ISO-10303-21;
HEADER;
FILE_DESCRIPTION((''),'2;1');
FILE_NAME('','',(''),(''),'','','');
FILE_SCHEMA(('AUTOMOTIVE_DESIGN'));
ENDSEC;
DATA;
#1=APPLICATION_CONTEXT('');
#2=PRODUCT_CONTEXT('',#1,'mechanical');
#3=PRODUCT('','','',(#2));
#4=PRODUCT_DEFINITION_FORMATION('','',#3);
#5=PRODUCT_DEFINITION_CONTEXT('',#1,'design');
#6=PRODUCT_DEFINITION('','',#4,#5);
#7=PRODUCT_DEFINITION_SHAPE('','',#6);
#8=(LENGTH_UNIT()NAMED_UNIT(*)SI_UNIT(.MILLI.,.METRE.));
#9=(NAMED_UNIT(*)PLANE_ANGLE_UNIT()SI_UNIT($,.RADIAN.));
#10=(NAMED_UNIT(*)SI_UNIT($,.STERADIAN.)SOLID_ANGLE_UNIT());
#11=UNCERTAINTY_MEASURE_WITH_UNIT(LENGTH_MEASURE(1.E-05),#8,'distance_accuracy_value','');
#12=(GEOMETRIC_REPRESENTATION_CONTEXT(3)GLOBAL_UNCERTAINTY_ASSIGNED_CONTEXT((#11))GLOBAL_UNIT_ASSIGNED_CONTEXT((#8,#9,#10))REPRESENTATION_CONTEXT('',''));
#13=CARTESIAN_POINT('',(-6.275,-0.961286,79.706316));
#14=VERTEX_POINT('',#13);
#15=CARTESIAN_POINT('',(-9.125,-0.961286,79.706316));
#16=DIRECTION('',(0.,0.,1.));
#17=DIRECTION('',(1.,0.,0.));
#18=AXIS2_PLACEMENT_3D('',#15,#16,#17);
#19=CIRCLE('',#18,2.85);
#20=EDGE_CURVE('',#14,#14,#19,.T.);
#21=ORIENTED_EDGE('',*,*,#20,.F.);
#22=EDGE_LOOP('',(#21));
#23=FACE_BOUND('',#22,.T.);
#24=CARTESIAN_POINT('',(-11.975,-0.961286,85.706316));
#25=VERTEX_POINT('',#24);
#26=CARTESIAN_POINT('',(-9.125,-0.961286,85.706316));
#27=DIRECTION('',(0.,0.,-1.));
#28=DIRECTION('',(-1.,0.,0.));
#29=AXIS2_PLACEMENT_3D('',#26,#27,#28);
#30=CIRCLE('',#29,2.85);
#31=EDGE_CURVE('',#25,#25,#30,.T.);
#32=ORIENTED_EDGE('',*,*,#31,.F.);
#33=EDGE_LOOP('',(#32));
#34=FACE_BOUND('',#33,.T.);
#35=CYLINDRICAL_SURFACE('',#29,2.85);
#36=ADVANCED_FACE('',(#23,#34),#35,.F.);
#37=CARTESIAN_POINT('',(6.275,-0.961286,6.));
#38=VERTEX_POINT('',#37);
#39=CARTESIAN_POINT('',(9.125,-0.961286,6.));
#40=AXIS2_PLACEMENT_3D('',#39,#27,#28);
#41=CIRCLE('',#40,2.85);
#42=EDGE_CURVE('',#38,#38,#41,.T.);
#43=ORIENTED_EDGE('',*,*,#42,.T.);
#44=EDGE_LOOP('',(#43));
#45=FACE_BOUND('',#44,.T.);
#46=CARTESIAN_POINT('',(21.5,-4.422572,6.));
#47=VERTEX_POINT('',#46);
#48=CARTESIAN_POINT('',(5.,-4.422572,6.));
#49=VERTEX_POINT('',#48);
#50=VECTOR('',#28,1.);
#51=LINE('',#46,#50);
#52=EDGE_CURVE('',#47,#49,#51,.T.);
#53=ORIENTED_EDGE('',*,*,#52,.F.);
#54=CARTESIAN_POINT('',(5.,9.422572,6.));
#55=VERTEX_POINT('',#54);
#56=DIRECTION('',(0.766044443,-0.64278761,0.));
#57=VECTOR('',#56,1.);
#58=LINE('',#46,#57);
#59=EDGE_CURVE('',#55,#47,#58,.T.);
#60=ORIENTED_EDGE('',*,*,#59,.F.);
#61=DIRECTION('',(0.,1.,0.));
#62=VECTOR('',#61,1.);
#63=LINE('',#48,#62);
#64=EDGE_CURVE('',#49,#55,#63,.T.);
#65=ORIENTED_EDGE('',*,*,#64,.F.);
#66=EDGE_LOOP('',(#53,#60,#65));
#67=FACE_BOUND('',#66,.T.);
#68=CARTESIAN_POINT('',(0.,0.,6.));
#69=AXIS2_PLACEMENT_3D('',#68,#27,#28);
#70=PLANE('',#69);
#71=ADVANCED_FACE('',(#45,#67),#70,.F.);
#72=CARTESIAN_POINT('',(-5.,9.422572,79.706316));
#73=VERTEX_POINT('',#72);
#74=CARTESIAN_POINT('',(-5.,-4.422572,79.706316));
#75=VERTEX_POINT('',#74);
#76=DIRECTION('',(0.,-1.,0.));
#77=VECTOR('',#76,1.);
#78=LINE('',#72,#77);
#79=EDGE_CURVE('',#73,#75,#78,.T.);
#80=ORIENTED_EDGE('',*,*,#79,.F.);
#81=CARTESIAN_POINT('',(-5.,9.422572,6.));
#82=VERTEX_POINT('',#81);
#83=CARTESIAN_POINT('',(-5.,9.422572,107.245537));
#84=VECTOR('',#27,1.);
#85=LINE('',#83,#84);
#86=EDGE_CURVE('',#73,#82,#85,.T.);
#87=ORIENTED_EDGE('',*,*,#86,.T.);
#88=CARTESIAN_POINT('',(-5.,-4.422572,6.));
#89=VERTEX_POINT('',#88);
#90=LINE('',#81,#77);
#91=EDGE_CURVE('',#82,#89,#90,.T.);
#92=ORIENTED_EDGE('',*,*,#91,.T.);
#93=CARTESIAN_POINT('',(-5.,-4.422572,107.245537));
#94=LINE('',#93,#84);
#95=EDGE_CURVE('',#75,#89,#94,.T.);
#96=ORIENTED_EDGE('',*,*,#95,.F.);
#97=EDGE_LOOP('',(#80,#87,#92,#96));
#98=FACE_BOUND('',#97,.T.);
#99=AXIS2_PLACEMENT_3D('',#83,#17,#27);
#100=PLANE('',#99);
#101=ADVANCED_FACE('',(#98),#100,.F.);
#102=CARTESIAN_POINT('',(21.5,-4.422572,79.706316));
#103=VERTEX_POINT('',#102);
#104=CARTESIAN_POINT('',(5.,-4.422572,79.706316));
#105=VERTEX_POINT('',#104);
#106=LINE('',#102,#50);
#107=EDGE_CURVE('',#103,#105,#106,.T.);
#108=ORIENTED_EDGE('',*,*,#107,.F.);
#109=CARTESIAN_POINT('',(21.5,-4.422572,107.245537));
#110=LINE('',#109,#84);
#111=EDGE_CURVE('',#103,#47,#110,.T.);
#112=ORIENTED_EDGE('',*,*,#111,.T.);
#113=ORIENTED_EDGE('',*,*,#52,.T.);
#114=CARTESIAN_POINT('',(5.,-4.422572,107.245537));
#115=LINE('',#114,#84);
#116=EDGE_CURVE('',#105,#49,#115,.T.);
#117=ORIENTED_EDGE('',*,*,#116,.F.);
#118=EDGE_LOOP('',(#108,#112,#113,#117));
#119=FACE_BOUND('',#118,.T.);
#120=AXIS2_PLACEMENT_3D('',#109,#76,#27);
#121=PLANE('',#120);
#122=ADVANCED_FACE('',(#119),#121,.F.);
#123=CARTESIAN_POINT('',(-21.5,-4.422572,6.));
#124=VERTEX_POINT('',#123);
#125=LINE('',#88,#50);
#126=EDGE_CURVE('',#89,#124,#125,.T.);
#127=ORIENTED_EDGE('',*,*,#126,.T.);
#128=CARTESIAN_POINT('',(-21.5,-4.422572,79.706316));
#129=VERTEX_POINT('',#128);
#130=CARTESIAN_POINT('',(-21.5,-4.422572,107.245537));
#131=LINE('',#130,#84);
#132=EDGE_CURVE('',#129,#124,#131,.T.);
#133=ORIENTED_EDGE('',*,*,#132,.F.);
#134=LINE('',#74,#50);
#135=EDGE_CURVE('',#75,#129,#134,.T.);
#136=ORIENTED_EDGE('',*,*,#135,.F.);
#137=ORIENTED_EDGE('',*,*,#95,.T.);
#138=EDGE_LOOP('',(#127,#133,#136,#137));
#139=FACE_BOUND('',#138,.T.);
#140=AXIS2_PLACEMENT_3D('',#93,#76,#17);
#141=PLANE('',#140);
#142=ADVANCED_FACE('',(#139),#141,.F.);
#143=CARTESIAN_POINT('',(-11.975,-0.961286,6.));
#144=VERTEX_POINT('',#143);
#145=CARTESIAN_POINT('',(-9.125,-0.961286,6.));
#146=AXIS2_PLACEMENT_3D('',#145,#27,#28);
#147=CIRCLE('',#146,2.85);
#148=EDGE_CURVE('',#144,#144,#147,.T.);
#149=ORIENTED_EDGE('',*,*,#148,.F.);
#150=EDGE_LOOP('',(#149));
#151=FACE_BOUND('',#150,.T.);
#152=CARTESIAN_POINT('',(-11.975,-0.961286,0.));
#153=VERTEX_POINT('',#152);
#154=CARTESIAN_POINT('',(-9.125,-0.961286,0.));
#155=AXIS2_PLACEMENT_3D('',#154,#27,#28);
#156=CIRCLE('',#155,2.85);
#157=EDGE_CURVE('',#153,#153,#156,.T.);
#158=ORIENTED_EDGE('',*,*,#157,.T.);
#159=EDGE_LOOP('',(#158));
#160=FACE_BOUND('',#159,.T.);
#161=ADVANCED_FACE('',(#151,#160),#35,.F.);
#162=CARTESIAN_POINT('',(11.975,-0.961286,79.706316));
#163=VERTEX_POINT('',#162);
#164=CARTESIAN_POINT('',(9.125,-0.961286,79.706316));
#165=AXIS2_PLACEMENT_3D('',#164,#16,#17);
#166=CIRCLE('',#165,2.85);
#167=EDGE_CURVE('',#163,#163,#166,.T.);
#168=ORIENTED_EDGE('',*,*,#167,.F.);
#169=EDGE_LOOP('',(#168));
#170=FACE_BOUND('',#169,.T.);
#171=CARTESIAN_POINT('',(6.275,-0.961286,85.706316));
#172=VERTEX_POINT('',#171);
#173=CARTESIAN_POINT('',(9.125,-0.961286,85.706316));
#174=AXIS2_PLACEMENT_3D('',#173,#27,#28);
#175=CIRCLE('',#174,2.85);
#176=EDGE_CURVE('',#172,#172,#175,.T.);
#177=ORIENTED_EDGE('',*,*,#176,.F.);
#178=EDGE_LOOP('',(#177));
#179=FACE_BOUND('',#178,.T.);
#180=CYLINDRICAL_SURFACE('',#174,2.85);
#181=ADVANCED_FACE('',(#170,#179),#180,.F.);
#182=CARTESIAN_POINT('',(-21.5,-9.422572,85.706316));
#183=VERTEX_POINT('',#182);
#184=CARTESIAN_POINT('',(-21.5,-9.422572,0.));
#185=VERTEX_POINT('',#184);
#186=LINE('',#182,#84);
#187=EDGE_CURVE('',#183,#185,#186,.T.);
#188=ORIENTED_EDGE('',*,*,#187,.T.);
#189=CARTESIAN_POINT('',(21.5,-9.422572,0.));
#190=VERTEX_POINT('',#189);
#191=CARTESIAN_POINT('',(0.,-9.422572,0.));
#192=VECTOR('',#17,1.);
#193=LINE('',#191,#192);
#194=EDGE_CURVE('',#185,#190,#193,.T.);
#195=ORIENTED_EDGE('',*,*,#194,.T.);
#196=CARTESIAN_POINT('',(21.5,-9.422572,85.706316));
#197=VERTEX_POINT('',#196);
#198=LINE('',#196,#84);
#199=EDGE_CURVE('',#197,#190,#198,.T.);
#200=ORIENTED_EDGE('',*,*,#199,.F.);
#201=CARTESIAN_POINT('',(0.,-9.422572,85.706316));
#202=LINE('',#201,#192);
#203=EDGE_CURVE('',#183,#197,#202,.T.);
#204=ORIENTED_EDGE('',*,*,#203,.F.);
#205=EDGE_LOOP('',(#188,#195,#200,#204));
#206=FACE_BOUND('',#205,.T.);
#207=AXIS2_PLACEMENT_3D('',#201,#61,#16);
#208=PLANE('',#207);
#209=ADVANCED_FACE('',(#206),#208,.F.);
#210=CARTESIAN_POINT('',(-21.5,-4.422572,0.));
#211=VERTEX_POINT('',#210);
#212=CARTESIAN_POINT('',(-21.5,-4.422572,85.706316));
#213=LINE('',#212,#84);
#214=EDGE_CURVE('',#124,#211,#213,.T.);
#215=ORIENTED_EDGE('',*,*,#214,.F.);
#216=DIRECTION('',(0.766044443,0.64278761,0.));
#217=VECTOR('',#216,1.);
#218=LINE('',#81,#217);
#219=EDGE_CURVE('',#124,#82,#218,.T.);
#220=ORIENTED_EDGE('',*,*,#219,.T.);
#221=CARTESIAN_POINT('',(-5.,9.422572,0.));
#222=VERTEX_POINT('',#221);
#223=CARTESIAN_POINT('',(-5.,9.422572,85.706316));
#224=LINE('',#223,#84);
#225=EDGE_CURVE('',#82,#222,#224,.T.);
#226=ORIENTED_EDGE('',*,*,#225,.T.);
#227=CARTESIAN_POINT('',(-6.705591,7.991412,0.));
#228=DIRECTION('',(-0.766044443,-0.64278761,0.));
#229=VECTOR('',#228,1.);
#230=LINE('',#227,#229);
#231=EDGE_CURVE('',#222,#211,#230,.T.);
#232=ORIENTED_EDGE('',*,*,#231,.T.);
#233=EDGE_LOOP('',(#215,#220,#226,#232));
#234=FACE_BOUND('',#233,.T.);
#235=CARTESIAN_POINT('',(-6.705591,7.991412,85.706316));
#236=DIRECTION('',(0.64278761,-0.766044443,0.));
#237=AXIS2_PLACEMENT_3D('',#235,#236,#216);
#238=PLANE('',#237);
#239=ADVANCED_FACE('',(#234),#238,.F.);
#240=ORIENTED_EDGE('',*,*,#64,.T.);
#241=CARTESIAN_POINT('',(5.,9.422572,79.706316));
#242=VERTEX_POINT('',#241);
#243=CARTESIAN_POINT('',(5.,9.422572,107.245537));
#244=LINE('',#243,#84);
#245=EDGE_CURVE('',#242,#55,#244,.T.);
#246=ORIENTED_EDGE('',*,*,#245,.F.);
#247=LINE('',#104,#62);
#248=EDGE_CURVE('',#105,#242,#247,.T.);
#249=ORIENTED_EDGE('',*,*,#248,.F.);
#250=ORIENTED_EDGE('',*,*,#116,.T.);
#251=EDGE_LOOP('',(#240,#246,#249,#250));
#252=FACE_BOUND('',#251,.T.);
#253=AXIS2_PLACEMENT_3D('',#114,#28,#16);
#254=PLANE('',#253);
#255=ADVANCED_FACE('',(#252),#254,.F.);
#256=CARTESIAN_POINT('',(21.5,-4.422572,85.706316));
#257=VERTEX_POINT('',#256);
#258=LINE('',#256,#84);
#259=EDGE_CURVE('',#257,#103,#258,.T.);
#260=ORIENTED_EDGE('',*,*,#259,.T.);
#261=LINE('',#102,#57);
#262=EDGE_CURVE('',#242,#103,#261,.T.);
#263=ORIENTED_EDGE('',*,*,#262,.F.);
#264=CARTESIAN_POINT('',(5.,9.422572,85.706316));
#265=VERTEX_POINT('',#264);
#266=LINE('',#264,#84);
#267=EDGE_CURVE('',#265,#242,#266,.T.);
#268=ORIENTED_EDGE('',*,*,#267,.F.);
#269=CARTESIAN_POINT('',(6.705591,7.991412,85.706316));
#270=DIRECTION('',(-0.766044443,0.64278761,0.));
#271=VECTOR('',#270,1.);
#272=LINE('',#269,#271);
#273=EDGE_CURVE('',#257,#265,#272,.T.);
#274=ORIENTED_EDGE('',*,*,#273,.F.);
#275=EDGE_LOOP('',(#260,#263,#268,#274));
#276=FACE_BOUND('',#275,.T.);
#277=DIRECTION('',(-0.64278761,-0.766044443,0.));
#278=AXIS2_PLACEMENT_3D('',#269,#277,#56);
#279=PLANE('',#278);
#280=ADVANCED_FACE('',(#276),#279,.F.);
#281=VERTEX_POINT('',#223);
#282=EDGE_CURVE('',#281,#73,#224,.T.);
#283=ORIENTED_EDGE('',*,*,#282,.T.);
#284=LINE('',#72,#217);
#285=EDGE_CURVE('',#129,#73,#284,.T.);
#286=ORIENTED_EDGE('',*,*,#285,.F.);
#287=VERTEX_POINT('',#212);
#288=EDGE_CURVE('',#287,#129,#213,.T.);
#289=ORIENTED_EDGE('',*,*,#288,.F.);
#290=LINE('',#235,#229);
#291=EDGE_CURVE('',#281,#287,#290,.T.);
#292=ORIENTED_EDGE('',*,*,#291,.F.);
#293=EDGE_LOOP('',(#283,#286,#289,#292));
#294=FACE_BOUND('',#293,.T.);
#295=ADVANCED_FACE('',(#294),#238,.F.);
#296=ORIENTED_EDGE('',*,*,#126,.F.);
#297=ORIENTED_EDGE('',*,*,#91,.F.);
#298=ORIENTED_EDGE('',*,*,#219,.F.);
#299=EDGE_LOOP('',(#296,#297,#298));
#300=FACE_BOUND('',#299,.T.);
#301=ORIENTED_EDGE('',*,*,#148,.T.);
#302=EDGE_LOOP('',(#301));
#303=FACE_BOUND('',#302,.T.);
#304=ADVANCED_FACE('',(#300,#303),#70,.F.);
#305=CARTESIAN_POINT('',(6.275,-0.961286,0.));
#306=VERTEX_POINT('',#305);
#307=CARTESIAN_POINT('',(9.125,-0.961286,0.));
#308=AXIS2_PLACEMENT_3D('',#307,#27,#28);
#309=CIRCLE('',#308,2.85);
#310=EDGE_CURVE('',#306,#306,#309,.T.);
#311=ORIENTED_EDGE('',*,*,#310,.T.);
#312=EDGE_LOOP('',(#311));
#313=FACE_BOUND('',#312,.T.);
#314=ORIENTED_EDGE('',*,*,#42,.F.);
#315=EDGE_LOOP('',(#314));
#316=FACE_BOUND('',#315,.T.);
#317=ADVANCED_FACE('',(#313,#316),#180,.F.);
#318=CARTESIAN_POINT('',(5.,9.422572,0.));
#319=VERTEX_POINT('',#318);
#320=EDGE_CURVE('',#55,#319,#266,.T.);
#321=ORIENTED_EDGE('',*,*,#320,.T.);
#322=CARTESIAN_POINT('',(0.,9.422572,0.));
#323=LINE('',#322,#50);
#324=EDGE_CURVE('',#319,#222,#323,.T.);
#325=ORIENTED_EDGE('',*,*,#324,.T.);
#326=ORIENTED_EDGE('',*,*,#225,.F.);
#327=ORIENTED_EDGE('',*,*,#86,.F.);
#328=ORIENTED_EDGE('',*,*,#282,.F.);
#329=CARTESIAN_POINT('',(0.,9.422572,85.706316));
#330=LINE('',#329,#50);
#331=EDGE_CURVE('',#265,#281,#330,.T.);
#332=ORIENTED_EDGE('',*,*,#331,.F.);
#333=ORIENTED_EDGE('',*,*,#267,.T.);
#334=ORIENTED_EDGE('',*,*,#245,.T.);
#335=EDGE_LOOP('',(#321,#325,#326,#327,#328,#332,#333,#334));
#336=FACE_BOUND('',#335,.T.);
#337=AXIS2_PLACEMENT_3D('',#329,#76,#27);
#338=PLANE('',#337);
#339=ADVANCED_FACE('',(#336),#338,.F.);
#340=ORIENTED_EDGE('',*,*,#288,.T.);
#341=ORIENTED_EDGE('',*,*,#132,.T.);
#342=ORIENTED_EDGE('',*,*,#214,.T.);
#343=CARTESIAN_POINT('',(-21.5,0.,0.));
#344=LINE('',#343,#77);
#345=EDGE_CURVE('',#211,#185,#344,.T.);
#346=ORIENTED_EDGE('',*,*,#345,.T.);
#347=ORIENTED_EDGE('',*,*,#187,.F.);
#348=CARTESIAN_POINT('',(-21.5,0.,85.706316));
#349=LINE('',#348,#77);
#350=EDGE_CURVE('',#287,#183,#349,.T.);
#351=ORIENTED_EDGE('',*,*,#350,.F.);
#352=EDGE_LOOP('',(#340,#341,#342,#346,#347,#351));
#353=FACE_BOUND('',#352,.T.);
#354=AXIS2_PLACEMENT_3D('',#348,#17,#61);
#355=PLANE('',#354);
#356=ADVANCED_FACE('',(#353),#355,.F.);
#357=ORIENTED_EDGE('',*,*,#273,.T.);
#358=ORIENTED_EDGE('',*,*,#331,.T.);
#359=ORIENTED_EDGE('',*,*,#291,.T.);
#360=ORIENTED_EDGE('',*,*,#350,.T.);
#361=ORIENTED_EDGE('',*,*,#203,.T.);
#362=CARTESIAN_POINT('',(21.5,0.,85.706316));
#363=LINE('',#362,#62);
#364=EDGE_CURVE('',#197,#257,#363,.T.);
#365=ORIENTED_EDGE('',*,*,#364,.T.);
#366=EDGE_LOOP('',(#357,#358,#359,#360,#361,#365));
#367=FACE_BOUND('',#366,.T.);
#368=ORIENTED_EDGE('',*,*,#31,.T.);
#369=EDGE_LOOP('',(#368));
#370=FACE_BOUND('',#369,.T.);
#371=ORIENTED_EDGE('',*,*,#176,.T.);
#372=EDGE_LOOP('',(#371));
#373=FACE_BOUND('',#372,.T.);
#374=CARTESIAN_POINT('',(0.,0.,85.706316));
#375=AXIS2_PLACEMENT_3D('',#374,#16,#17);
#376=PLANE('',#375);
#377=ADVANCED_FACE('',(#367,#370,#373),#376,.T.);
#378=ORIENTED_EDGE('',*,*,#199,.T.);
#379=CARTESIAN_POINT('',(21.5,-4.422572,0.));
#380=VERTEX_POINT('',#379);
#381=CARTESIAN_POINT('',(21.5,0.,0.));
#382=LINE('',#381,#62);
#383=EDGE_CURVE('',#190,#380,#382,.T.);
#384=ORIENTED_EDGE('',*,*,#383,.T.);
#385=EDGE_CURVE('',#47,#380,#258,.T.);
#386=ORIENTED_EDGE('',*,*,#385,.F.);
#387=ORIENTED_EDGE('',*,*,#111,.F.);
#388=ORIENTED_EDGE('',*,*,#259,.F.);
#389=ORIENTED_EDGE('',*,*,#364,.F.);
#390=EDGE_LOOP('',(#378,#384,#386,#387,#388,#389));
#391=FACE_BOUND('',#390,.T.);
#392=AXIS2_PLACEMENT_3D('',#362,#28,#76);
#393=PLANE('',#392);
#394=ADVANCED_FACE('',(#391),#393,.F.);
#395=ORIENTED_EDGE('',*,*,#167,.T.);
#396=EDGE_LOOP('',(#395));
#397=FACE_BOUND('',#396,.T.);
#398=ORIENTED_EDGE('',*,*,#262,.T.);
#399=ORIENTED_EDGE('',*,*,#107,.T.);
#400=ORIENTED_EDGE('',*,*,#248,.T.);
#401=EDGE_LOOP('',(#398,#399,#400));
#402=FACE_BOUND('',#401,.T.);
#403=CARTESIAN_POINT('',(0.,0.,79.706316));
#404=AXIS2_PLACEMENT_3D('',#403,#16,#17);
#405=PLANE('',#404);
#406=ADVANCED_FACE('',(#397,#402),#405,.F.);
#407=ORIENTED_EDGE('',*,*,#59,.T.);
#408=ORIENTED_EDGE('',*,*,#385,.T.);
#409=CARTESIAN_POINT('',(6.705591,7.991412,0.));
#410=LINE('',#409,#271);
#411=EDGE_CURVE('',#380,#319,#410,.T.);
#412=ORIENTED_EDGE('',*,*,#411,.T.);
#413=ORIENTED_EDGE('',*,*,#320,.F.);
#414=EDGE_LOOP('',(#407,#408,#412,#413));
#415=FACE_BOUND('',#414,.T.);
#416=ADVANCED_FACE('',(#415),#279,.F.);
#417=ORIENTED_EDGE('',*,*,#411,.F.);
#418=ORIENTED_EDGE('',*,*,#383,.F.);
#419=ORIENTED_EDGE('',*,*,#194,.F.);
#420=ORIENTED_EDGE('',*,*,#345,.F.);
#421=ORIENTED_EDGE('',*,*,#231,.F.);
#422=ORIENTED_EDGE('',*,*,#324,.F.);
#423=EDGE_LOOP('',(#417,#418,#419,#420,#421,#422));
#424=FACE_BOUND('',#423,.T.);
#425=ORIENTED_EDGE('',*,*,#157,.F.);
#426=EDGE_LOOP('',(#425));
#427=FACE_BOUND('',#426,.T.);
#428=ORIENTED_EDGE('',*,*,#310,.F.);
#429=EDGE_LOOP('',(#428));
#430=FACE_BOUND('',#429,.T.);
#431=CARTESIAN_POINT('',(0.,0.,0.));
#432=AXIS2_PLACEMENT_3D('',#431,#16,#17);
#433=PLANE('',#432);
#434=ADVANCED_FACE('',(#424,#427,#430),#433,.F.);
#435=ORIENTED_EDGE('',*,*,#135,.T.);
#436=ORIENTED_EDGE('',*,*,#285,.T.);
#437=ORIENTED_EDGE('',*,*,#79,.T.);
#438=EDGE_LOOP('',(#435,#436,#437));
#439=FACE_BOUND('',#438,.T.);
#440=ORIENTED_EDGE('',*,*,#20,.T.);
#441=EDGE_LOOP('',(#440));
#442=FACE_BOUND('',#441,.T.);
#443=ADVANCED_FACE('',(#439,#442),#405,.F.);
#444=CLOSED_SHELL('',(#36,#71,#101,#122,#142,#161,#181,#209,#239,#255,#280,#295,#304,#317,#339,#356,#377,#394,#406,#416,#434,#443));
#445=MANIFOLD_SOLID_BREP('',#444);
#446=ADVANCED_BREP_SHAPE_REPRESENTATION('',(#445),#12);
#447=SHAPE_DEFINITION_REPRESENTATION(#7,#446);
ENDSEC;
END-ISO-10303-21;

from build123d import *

# Parameters (mm, degrees)
SKETCH1_R           = 2.85
BOSS_EXTRUDE1_DEPTH = 85.7063165
CUT_EXTRUDE1_START  = -6
CUT_EXTRUDE1_DEPTH  = 73.706316
SKETCH3_R           = 2.85
CUT_EXTRUDE2_DEPTH  = 86.7063165


with BuildPart() as part:
    # Sketch1 → Boss-Extrude1 (new body)
    with BuildSketch(Plane.XY):
        Polygon((-21.5, -9.422571957), (21.5, -9.422571957), (21.5, -4.422571957), (5, 9.422571957), (-5, 9.422571957), (-21.5, -4.422571957), align=None)
        with Locations((-9.125, -0.961285979)):
            Circle(SKETCH1_R, mode=Mode.SUBTRACT)
        with Locations((9.125, -0.961285979)):
            Circle(SKETCH1_R, mode=Mode.SUBTRACT)
        with Locations((-9.125, -0.961285979)):
            Circle(SKETCH1_R)
        with Locations((9.125, -0.961285979)):
            Circle(SKETCH1_R)
    extrude(amount=BOSS_EXTRUDE1_DEPTH)

    # Sketch2 → Cut-Extrude1 (cut)
    with BuildSketch(Plane(origin=(0, 0, 0), x_dir=(-1, 0, 0), z_dir=(0, 0, -1)).offset(CUT_EXTRUDE1_START)):
        Polygon((5, 9.422571957), (21.5, -4.422571957), (5, -4.422571957), align=None)
        Polygon((-21.5, -4.422571957), (-5, 9.422571957), (-5, -4.422571957), align=None)
    extrude(amount=-CUT_EXTRUDE1_DEPTH, mode=Mode.SUBTRACT)

    # Sketch3 → Cut-Extrude2 (cut, through all)
    with BuildSketch(Plane(origin=(0, 0, 0), x_dir=(-1, 0, 0), z_dir=(0, 0, -1))):
        with Locations((9.125, -0.961285979)):
            Circle(SKETCH3_R)
        with Locations((-9.125, -0.961285979)):
            Circle(SKETCH3_R)
    extrude(amount=-CUT_EXTRUDE2_DEPTH, mode=Mode.SUBTRACT)


solid = part.part
